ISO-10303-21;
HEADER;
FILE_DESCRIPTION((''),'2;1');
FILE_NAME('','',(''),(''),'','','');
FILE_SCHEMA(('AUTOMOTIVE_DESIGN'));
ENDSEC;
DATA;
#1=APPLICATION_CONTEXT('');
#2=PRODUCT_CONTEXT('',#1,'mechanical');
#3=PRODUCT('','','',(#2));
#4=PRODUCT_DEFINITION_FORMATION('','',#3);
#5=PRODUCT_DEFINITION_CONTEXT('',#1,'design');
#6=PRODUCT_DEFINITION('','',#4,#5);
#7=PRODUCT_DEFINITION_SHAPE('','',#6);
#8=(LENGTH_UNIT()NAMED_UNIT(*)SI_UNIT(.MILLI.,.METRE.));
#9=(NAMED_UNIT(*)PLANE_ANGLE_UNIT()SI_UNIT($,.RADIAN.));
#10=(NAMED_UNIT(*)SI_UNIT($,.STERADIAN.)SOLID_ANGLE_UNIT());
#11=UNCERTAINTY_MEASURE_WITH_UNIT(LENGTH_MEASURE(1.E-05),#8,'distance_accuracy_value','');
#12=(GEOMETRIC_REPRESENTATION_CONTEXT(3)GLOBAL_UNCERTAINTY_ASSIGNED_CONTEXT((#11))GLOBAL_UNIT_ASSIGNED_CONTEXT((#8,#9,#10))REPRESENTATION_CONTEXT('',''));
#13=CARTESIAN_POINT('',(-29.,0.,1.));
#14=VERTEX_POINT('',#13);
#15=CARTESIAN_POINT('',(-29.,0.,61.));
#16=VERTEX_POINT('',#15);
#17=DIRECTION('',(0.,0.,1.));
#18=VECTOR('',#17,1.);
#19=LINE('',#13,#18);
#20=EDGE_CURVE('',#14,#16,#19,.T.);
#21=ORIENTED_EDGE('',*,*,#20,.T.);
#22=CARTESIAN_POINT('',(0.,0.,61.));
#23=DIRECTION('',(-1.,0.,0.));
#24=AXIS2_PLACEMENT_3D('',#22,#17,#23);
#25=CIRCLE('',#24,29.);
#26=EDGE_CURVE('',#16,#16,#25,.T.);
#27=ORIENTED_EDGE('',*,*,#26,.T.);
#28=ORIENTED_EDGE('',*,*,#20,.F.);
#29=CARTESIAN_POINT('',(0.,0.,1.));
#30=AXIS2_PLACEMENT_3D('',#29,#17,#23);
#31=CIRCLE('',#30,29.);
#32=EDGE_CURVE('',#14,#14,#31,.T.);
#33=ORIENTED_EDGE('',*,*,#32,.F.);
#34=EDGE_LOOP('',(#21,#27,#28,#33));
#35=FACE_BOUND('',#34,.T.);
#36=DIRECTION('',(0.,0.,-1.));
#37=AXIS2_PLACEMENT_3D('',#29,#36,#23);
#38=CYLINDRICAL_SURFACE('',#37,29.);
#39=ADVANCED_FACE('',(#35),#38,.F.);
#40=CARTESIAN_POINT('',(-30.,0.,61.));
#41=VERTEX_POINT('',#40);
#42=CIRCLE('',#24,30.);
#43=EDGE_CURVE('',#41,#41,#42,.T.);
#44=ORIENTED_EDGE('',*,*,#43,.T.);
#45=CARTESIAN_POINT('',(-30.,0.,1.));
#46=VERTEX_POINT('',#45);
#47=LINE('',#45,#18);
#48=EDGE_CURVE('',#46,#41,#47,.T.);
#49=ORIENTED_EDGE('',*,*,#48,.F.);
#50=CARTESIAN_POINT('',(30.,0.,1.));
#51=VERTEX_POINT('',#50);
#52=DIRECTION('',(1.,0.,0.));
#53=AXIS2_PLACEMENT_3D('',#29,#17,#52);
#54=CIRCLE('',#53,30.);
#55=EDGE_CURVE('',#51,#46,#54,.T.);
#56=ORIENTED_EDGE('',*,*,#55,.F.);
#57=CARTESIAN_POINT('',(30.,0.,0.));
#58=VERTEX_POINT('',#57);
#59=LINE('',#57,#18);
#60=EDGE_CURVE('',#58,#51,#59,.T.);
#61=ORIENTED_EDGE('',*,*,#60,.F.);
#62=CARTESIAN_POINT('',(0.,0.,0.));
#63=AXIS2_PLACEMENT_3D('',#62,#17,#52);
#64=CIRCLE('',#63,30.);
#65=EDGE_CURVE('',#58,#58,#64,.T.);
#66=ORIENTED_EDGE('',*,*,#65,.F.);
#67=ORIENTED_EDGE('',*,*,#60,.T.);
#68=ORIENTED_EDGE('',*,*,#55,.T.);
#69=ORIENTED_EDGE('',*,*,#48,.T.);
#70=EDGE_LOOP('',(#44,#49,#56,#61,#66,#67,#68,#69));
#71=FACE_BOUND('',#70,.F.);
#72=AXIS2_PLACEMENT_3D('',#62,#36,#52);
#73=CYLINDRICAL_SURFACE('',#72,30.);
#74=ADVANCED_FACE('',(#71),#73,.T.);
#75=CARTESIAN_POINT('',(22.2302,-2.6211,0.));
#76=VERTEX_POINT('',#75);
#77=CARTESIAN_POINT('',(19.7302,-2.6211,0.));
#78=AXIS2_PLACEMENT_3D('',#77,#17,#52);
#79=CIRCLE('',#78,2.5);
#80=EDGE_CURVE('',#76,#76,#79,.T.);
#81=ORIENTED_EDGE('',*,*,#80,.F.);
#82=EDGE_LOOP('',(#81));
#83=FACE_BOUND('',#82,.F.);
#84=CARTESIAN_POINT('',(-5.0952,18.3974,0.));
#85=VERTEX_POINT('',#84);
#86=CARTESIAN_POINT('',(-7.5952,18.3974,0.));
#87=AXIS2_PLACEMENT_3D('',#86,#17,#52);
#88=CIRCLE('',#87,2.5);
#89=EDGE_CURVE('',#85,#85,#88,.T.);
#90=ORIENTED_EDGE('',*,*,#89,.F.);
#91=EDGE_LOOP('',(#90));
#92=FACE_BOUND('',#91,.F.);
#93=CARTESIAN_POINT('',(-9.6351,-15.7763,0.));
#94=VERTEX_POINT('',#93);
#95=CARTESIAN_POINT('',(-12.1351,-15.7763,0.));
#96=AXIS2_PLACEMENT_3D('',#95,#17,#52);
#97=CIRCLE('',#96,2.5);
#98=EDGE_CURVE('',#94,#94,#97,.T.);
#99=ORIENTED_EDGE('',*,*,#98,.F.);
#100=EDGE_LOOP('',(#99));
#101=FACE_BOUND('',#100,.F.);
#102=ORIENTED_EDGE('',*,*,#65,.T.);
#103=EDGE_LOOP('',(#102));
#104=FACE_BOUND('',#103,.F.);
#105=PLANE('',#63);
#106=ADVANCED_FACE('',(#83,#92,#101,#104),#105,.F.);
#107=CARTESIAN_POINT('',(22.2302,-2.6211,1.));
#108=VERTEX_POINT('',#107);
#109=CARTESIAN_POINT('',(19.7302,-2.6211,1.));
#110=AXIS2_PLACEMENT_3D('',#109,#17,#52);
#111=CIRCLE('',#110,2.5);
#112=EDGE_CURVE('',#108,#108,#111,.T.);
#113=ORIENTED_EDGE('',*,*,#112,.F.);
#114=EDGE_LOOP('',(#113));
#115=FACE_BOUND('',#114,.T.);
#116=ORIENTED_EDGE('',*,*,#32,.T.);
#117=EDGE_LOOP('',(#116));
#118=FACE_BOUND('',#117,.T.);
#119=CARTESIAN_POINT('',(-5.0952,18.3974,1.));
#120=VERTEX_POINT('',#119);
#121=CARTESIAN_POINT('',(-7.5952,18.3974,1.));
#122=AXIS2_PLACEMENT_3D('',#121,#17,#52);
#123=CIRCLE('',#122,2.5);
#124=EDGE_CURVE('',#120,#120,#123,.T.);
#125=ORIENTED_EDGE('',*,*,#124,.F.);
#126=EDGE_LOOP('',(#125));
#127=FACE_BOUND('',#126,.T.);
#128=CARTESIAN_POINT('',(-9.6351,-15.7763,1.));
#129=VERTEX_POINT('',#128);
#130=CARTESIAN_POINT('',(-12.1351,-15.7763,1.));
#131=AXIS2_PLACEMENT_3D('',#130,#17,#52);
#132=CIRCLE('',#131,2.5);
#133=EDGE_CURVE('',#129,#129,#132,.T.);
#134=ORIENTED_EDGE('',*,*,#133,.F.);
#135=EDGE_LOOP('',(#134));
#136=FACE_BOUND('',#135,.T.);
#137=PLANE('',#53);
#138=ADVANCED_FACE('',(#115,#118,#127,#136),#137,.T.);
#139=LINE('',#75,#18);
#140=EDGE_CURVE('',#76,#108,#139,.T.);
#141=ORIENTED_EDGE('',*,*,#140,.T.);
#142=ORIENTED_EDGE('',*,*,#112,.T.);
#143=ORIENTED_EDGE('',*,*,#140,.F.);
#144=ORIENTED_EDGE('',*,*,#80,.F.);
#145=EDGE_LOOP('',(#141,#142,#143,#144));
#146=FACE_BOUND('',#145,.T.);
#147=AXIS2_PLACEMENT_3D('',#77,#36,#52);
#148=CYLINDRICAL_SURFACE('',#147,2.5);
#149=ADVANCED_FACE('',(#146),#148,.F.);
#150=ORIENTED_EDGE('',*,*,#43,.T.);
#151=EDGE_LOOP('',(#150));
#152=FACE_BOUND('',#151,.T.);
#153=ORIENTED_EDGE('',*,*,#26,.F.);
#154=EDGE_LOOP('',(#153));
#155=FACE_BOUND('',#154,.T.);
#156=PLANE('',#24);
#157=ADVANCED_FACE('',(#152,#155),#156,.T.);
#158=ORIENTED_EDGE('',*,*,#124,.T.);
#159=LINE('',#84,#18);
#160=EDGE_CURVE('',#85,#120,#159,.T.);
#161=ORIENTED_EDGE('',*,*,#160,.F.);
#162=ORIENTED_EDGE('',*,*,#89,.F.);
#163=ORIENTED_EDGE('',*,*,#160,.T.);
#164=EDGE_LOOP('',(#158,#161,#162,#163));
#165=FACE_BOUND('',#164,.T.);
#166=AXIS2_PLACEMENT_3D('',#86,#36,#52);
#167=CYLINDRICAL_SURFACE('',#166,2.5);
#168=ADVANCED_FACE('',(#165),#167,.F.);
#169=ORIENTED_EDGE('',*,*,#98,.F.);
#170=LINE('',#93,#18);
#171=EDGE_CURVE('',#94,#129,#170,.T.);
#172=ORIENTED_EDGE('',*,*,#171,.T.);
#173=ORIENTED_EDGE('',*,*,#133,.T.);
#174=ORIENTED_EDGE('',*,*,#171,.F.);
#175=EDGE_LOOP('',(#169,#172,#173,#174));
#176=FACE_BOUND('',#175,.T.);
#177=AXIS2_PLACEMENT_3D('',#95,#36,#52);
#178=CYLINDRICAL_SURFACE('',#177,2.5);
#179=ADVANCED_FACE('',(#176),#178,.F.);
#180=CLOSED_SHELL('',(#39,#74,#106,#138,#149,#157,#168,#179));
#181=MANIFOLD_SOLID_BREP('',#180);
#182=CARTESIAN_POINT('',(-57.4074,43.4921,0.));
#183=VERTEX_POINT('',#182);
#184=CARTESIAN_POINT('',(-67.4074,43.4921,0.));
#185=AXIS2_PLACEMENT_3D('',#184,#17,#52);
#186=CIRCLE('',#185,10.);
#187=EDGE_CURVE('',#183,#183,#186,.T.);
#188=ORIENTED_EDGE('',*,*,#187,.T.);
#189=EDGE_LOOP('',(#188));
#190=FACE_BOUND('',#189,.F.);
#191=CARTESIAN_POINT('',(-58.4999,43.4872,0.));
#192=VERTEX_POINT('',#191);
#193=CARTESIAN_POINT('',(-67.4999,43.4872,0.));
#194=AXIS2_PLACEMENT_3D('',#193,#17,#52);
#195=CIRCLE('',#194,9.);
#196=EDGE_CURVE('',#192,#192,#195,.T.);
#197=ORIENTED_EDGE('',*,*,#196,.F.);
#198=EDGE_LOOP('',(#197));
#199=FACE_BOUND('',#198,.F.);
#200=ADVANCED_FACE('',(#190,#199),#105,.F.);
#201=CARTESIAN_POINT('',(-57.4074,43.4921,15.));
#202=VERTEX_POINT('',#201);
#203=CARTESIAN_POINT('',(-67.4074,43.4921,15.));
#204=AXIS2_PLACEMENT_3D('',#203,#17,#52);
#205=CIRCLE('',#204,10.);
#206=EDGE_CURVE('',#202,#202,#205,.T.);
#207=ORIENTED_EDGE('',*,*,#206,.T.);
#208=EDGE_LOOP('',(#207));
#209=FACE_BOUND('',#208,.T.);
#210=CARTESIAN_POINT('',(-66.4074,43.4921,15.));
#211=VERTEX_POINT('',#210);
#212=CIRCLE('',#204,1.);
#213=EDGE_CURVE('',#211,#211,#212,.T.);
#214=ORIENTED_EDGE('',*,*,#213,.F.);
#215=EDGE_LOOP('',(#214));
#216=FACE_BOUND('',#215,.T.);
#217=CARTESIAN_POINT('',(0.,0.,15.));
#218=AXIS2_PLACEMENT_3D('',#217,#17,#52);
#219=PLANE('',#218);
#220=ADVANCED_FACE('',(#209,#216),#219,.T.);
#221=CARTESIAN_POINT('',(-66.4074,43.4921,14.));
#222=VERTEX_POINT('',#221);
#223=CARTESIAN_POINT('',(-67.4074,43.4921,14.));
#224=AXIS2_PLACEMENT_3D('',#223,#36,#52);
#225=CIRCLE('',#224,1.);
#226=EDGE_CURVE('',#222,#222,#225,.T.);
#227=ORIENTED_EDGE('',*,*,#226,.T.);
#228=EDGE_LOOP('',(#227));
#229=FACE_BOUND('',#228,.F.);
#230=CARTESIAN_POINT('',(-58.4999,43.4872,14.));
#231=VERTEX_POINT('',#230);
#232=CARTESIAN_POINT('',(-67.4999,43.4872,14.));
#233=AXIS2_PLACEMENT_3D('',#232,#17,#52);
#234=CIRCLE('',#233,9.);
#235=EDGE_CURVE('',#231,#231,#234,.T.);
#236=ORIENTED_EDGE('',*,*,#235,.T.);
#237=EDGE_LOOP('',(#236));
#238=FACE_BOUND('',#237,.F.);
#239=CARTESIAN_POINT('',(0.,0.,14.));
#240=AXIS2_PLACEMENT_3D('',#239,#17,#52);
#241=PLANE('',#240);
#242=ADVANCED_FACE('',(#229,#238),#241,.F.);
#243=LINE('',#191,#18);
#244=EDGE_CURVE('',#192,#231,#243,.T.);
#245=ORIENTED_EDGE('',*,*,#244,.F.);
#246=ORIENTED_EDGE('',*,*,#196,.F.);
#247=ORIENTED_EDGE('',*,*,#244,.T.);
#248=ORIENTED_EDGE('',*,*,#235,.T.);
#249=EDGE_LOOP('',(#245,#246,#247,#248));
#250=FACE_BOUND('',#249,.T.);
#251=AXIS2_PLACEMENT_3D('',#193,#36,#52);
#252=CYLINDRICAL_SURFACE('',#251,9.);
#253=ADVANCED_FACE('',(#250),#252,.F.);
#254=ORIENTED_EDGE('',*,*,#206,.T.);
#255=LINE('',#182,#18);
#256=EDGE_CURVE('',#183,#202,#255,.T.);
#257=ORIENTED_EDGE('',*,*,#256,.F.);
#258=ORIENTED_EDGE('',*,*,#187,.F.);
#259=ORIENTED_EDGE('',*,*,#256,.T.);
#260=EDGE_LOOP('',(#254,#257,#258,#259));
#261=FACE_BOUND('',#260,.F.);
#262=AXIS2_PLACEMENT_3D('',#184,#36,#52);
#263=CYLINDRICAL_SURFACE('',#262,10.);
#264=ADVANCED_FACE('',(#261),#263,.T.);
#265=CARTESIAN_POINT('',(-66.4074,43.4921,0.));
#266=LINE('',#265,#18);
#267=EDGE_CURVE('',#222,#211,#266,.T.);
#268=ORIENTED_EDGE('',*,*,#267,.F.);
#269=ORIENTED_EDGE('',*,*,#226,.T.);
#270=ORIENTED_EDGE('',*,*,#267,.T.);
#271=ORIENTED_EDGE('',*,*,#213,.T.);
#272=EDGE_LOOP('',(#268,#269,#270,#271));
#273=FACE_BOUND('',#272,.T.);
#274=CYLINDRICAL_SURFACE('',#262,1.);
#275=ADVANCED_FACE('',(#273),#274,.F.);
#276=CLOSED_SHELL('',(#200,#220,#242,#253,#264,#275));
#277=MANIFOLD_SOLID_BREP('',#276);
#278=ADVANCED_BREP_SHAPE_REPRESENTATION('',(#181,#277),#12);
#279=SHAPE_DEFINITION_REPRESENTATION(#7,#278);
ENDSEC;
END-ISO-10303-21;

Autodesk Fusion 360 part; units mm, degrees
sketch "Sketch1" plane through (0, 0, 0) normal (0, 0, 1) x (1, 0, 0)
  circle A0 centre (-67.4074, 43.4921) radius 10
  circle A1 centre (-67.4074, 43.4921) radius 1
  dimension "d1" = 20
  dimension "d2" = 2
extrude "Extrude1" add sketch "Sketch1" along normal blind 15 makes body 1
sketch "Sketch2" plane through (0, 0, 0) normal (0, 0, 1) x (1, 0, 0)
  circle A0 centre (-67.4999, 43.4872) radius 9
  dimension "d5" = 18
extrude "Extrude2" cut sketch "Sketch2" along normal blind 14 bodies 1
sketch "Sketch3" plane through (0, 0, 0) normal (0, 1, 0) x (1, 0, 0)
sketch "Sketch4" plane through (0, 0, 0) normal (0, 0, 1) x (1, 0, 0)
  circle A0 centre (0, 0) radius 30
  circle A1 centre (-7.5952, 18.3974) radius 2.5
  circle A2 centre (-12.1351, -15.7763) radius 2.5
  circle A3 centre (19.7302, -2.6211) radius 2.5
  dimension "d8" = 60
  dimension "d9" = 5
  dimension "d11" = 360
extrude "Extrude3" add sketch "Sketch4" along normal blind 1 separate body makes body 2
sketch "Sketch5" plane through (0, 0, 1) normal (0, 0, 1) x (-1, 0, 0)
  circle A0 centre (7.5952, -18.3974) radius 2.5
  circle A1 centre (-19.7302, 2.6211) radius 2.5
  circle A2 centre (12.1351, 15.7763) radius 2.5
  circle A3 centre (0, 0) radius 30
  circle A4 centre (0, 0) radius 29
  dimension "d14" = 58
extrude "Extrude4" add sketch "Sketch5" along normal blind 60 contours A3 bodies 2
